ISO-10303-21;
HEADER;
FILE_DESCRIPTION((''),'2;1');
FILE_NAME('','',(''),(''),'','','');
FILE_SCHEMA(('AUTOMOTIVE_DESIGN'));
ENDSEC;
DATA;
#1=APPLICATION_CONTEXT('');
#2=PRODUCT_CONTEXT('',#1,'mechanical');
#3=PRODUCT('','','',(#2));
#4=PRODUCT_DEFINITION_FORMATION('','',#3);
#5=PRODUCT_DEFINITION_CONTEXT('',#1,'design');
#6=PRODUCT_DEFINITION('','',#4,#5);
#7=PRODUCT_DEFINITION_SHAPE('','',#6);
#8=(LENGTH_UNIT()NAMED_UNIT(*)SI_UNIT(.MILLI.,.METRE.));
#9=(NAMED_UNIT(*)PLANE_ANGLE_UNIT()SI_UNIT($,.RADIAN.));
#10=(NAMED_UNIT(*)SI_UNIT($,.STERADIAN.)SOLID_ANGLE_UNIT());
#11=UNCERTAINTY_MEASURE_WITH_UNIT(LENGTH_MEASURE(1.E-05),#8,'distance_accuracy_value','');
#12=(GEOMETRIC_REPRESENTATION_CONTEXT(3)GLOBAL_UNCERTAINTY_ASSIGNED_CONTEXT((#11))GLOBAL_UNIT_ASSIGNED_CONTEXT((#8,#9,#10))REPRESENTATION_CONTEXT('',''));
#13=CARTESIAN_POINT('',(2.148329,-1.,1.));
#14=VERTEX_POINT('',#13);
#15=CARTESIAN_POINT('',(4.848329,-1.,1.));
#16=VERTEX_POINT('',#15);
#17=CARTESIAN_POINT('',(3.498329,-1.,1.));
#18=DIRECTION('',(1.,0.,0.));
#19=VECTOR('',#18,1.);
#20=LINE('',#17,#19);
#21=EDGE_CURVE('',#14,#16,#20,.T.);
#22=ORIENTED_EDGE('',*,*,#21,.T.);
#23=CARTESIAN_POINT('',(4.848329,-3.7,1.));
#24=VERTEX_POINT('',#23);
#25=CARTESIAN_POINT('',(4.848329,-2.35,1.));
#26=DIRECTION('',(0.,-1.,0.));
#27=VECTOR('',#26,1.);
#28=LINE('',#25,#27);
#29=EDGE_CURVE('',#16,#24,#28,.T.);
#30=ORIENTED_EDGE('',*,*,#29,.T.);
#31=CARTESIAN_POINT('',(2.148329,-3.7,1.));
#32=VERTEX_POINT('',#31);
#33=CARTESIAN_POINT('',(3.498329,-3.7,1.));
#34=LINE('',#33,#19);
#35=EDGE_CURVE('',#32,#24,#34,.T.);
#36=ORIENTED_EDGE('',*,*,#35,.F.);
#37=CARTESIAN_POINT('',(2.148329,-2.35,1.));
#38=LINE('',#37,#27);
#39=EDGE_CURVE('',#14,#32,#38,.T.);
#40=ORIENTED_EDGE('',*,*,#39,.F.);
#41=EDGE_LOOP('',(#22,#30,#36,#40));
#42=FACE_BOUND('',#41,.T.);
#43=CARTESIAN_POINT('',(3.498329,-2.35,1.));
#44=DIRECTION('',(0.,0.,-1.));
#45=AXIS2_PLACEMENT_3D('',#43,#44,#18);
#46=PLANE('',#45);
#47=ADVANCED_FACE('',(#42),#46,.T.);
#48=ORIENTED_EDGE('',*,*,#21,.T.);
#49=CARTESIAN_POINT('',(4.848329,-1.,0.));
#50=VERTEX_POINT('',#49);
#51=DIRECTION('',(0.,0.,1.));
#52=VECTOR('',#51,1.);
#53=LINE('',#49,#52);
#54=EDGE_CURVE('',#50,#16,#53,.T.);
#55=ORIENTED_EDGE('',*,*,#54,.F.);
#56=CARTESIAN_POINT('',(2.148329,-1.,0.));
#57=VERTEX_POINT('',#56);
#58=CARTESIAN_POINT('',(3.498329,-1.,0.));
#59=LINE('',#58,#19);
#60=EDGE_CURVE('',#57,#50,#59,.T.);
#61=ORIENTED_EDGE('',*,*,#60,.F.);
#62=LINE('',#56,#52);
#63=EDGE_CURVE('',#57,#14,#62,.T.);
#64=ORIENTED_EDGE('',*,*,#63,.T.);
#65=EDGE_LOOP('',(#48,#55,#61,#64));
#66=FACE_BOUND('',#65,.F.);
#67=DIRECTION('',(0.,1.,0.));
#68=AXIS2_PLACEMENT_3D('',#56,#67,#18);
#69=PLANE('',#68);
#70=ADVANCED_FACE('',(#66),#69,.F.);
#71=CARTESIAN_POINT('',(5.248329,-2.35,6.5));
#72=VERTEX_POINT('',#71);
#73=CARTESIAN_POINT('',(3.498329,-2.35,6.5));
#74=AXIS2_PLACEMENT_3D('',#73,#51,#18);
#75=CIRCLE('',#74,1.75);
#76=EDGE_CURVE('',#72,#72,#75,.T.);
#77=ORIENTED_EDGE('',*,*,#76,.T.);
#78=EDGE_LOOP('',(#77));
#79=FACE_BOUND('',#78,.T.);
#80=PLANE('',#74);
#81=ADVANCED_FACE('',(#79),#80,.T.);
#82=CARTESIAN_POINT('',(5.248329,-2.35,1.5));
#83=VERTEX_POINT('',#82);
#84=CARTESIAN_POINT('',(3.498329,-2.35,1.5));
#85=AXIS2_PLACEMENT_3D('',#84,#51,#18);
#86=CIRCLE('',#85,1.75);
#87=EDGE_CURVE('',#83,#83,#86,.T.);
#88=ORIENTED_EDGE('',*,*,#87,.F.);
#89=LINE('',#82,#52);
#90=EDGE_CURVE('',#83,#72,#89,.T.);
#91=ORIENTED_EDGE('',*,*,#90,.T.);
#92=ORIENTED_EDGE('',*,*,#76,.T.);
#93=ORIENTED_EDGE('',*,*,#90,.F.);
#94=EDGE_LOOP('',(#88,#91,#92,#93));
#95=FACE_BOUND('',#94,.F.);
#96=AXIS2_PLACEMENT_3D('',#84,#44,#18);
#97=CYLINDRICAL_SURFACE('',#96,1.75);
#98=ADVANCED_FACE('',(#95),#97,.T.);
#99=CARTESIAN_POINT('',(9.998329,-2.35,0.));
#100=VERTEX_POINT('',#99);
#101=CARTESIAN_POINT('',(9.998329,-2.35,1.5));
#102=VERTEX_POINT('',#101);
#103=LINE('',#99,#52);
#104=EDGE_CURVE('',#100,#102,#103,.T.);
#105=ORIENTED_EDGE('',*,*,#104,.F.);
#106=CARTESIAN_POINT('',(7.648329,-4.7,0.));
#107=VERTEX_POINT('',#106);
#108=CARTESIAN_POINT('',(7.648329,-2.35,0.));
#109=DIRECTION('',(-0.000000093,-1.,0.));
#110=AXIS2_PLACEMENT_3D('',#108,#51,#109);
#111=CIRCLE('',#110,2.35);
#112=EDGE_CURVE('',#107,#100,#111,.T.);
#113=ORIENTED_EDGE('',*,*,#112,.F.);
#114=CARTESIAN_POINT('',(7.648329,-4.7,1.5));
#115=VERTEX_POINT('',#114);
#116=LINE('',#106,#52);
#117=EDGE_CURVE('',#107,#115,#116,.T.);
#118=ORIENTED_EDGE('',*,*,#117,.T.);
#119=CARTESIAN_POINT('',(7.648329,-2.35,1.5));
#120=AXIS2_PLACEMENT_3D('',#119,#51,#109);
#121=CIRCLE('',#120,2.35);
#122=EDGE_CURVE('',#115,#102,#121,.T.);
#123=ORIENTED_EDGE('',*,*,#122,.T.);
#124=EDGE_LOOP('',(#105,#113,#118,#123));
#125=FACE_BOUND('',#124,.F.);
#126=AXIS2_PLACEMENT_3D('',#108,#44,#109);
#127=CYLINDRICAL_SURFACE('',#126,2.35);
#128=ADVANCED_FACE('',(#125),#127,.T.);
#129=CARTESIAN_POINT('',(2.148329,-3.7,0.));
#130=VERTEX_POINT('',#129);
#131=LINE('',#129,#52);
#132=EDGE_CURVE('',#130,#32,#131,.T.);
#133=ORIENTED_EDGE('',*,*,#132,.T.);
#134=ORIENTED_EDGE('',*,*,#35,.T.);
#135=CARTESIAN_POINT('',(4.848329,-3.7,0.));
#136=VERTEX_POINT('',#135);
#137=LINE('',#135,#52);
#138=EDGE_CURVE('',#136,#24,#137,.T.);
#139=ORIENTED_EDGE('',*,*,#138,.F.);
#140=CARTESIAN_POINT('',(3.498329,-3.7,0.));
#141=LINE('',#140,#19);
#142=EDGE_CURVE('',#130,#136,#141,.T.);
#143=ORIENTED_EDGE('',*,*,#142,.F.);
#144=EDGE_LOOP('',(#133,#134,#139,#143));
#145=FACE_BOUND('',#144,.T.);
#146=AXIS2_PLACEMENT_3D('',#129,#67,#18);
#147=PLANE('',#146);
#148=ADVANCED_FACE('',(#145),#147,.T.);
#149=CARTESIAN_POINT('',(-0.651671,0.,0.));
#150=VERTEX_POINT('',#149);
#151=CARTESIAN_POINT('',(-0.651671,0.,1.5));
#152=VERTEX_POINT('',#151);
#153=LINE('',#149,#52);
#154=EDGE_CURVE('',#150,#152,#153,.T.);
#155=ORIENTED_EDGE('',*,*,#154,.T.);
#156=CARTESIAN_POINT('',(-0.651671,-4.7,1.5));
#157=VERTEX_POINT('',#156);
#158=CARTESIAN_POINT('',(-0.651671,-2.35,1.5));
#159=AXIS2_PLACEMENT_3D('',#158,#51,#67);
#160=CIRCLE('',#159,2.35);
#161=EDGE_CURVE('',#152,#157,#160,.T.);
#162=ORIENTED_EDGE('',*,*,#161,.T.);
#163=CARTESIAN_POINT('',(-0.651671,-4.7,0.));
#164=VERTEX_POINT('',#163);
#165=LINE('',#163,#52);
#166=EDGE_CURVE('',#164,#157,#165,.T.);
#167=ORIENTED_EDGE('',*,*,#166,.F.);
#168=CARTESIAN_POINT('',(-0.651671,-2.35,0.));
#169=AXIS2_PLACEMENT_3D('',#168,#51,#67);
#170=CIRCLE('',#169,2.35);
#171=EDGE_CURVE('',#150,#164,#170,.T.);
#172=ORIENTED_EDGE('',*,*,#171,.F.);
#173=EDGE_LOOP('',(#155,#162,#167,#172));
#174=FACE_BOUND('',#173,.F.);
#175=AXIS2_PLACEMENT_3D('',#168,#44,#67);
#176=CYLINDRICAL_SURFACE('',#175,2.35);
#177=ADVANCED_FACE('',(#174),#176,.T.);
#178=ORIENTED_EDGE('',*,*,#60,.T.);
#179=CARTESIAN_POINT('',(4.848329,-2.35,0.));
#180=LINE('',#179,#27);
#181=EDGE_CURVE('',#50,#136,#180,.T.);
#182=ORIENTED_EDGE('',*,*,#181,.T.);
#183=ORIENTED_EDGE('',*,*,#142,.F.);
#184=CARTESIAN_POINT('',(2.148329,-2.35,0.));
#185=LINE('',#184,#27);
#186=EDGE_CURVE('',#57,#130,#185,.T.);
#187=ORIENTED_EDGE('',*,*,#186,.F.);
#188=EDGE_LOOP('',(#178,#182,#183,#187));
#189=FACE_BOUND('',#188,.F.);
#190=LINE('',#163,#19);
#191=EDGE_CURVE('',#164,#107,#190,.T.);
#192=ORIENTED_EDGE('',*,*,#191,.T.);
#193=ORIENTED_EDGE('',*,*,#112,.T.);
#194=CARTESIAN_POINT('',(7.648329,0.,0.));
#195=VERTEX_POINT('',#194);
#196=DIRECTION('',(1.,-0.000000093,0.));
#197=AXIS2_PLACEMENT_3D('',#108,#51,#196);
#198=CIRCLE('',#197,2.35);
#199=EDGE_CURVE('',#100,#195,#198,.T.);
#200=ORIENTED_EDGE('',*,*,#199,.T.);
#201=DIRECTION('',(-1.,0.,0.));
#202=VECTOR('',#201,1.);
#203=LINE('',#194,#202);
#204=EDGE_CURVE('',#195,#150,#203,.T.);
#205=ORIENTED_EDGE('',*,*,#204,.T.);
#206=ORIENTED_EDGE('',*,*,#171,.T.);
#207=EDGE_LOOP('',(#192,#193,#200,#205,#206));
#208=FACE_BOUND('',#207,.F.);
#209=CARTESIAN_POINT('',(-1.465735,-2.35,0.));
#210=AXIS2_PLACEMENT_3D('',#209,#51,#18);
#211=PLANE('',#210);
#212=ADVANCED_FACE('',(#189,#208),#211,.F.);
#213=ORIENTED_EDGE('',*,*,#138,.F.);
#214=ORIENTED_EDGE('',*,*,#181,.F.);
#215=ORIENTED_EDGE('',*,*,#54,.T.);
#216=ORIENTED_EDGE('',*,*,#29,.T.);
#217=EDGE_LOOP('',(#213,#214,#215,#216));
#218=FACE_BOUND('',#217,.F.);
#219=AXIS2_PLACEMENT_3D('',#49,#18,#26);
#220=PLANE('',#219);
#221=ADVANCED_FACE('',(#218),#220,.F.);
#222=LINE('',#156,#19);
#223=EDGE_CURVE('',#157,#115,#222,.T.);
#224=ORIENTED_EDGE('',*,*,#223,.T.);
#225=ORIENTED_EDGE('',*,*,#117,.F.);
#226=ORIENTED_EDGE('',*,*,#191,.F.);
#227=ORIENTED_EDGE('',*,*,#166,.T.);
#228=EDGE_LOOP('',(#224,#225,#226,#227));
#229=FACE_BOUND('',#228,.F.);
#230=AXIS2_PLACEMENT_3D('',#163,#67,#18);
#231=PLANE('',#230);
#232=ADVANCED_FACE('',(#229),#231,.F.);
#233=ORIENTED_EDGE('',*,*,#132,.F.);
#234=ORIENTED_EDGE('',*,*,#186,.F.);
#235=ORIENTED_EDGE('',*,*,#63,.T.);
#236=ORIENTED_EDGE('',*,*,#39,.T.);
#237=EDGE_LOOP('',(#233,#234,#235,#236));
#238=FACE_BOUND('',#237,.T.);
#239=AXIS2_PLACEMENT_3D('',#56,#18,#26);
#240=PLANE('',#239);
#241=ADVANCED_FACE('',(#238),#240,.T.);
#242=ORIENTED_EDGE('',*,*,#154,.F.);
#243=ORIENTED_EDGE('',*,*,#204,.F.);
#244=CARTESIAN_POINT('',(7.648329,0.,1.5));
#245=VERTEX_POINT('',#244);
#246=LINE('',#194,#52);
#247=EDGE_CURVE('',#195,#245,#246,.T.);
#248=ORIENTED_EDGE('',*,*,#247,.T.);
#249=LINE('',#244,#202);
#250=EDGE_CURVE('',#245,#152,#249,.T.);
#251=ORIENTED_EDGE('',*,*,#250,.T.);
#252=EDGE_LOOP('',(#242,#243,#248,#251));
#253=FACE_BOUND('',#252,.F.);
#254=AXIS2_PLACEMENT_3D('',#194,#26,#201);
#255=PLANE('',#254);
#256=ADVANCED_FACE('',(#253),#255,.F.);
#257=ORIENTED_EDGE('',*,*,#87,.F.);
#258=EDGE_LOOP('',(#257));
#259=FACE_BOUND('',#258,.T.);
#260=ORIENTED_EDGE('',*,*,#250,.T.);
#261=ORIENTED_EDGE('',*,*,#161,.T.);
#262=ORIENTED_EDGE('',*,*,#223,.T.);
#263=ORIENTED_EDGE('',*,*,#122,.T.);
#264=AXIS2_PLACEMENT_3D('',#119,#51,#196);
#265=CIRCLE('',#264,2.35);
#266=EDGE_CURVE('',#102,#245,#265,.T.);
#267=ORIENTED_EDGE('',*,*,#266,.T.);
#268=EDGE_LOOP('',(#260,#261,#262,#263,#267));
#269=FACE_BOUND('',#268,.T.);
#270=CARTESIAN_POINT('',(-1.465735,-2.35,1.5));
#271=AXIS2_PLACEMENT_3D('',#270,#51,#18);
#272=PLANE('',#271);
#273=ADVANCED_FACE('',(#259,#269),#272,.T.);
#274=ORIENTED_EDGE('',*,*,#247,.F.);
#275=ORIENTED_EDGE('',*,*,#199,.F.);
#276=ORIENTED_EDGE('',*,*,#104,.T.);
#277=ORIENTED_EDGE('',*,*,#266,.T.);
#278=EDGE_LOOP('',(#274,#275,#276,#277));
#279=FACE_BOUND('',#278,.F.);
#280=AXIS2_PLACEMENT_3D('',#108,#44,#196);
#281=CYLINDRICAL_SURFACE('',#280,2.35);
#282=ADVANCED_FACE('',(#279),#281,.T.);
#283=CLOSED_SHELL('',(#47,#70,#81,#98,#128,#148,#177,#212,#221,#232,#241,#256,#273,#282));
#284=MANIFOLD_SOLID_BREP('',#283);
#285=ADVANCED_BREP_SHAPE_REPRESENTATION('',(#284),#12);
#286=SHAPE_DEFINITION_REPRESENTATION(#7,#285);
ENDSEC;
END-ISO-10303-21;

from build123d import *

# Parameters (mm, degrees)
F1_DEPTH = 1.5
F2_R     = 1.75
F3_DEPTH = 5
F4_W     = 2.7
F4_H     = 2.7
F5_DEPTH = 1


with BuildPart() as f1:
    # F0 (on Top) → F1 (new body)
    with BuildSketch(Plane.XY):
        with BuildLine():
            Line((-0.651671, -4.7), (-0.651671, 0))
            ThreePointArc((-0.651671, 0), (-3.001671, -2.35), (-0.651671, -4.7))
        make_face()
        with BuildLine():
            ThreePointArc((1.698329, -2.35), (1.01003, -0.688299), (-0.651671, 0))
            Line((-0.651671, 0), (-0.651671, -4.7))
            ThreePointArc((-0.651671, -4.7), (1.01003, -4.011701), (1.698329, -2.35))
        make_face()
        with BuildLine():
            Line((7.648329, 0), (-0.651671, 0))
            ThreePointArc((-0.651671, 0), (1.01003, -0.688299), (1.698329, -2.35))
            ThreePointArc((1.698329, -2.35), (1.01003, -4.011701), (-0.651671, -4.7))
            Line((-0.651671, -4.7), (7.648329, -4.7))
            ThreePointArc((7.648329, -4.7), (5.298329, -2.35), (7.648329, 0))
        make_face()
        with BuildLine():
            ThreePointArc((9.998329, -2.35), (9.31003, -0.688299), (7.648329, 0))
            Line((7.648329, 0), (7.648329, -4.7))
            ThreePointArc((7.648329, -4.7), (9.31003, -4.011701), (9.998329, -2.35))
        make_face()
        with BuildLine():
            Line((7.648329, -4.7), (7.648329, 0))
            ThreePointArc((7.648329, 0), (5.298329, -2.35), (7.648329, -4.7))
        make_face()
    extrude(amount=F1_DEPTH)

    # F2 (on face) → F3 (join)
    with BuildSketch(Plane.XY.offset(1.5)):
        with Locations((3.498329, -2.35)):
            Circle(F2_R)
    extrude(amount=F3_DEPTH)

    # F4 (on face) → F5 (cut)
    with BuildSketch(Plane(origin=(0, 0, 0), x_dir=(1, 0, 0), z_dir=(0, 0, -1))):
        with Locations((3.498329, 2.35)):
            Rectangle(F4_W, F4_H)
    extrude(amount=-F5_DEPTH, mode=Mode.SUBTRACT)


solid = f1.part
